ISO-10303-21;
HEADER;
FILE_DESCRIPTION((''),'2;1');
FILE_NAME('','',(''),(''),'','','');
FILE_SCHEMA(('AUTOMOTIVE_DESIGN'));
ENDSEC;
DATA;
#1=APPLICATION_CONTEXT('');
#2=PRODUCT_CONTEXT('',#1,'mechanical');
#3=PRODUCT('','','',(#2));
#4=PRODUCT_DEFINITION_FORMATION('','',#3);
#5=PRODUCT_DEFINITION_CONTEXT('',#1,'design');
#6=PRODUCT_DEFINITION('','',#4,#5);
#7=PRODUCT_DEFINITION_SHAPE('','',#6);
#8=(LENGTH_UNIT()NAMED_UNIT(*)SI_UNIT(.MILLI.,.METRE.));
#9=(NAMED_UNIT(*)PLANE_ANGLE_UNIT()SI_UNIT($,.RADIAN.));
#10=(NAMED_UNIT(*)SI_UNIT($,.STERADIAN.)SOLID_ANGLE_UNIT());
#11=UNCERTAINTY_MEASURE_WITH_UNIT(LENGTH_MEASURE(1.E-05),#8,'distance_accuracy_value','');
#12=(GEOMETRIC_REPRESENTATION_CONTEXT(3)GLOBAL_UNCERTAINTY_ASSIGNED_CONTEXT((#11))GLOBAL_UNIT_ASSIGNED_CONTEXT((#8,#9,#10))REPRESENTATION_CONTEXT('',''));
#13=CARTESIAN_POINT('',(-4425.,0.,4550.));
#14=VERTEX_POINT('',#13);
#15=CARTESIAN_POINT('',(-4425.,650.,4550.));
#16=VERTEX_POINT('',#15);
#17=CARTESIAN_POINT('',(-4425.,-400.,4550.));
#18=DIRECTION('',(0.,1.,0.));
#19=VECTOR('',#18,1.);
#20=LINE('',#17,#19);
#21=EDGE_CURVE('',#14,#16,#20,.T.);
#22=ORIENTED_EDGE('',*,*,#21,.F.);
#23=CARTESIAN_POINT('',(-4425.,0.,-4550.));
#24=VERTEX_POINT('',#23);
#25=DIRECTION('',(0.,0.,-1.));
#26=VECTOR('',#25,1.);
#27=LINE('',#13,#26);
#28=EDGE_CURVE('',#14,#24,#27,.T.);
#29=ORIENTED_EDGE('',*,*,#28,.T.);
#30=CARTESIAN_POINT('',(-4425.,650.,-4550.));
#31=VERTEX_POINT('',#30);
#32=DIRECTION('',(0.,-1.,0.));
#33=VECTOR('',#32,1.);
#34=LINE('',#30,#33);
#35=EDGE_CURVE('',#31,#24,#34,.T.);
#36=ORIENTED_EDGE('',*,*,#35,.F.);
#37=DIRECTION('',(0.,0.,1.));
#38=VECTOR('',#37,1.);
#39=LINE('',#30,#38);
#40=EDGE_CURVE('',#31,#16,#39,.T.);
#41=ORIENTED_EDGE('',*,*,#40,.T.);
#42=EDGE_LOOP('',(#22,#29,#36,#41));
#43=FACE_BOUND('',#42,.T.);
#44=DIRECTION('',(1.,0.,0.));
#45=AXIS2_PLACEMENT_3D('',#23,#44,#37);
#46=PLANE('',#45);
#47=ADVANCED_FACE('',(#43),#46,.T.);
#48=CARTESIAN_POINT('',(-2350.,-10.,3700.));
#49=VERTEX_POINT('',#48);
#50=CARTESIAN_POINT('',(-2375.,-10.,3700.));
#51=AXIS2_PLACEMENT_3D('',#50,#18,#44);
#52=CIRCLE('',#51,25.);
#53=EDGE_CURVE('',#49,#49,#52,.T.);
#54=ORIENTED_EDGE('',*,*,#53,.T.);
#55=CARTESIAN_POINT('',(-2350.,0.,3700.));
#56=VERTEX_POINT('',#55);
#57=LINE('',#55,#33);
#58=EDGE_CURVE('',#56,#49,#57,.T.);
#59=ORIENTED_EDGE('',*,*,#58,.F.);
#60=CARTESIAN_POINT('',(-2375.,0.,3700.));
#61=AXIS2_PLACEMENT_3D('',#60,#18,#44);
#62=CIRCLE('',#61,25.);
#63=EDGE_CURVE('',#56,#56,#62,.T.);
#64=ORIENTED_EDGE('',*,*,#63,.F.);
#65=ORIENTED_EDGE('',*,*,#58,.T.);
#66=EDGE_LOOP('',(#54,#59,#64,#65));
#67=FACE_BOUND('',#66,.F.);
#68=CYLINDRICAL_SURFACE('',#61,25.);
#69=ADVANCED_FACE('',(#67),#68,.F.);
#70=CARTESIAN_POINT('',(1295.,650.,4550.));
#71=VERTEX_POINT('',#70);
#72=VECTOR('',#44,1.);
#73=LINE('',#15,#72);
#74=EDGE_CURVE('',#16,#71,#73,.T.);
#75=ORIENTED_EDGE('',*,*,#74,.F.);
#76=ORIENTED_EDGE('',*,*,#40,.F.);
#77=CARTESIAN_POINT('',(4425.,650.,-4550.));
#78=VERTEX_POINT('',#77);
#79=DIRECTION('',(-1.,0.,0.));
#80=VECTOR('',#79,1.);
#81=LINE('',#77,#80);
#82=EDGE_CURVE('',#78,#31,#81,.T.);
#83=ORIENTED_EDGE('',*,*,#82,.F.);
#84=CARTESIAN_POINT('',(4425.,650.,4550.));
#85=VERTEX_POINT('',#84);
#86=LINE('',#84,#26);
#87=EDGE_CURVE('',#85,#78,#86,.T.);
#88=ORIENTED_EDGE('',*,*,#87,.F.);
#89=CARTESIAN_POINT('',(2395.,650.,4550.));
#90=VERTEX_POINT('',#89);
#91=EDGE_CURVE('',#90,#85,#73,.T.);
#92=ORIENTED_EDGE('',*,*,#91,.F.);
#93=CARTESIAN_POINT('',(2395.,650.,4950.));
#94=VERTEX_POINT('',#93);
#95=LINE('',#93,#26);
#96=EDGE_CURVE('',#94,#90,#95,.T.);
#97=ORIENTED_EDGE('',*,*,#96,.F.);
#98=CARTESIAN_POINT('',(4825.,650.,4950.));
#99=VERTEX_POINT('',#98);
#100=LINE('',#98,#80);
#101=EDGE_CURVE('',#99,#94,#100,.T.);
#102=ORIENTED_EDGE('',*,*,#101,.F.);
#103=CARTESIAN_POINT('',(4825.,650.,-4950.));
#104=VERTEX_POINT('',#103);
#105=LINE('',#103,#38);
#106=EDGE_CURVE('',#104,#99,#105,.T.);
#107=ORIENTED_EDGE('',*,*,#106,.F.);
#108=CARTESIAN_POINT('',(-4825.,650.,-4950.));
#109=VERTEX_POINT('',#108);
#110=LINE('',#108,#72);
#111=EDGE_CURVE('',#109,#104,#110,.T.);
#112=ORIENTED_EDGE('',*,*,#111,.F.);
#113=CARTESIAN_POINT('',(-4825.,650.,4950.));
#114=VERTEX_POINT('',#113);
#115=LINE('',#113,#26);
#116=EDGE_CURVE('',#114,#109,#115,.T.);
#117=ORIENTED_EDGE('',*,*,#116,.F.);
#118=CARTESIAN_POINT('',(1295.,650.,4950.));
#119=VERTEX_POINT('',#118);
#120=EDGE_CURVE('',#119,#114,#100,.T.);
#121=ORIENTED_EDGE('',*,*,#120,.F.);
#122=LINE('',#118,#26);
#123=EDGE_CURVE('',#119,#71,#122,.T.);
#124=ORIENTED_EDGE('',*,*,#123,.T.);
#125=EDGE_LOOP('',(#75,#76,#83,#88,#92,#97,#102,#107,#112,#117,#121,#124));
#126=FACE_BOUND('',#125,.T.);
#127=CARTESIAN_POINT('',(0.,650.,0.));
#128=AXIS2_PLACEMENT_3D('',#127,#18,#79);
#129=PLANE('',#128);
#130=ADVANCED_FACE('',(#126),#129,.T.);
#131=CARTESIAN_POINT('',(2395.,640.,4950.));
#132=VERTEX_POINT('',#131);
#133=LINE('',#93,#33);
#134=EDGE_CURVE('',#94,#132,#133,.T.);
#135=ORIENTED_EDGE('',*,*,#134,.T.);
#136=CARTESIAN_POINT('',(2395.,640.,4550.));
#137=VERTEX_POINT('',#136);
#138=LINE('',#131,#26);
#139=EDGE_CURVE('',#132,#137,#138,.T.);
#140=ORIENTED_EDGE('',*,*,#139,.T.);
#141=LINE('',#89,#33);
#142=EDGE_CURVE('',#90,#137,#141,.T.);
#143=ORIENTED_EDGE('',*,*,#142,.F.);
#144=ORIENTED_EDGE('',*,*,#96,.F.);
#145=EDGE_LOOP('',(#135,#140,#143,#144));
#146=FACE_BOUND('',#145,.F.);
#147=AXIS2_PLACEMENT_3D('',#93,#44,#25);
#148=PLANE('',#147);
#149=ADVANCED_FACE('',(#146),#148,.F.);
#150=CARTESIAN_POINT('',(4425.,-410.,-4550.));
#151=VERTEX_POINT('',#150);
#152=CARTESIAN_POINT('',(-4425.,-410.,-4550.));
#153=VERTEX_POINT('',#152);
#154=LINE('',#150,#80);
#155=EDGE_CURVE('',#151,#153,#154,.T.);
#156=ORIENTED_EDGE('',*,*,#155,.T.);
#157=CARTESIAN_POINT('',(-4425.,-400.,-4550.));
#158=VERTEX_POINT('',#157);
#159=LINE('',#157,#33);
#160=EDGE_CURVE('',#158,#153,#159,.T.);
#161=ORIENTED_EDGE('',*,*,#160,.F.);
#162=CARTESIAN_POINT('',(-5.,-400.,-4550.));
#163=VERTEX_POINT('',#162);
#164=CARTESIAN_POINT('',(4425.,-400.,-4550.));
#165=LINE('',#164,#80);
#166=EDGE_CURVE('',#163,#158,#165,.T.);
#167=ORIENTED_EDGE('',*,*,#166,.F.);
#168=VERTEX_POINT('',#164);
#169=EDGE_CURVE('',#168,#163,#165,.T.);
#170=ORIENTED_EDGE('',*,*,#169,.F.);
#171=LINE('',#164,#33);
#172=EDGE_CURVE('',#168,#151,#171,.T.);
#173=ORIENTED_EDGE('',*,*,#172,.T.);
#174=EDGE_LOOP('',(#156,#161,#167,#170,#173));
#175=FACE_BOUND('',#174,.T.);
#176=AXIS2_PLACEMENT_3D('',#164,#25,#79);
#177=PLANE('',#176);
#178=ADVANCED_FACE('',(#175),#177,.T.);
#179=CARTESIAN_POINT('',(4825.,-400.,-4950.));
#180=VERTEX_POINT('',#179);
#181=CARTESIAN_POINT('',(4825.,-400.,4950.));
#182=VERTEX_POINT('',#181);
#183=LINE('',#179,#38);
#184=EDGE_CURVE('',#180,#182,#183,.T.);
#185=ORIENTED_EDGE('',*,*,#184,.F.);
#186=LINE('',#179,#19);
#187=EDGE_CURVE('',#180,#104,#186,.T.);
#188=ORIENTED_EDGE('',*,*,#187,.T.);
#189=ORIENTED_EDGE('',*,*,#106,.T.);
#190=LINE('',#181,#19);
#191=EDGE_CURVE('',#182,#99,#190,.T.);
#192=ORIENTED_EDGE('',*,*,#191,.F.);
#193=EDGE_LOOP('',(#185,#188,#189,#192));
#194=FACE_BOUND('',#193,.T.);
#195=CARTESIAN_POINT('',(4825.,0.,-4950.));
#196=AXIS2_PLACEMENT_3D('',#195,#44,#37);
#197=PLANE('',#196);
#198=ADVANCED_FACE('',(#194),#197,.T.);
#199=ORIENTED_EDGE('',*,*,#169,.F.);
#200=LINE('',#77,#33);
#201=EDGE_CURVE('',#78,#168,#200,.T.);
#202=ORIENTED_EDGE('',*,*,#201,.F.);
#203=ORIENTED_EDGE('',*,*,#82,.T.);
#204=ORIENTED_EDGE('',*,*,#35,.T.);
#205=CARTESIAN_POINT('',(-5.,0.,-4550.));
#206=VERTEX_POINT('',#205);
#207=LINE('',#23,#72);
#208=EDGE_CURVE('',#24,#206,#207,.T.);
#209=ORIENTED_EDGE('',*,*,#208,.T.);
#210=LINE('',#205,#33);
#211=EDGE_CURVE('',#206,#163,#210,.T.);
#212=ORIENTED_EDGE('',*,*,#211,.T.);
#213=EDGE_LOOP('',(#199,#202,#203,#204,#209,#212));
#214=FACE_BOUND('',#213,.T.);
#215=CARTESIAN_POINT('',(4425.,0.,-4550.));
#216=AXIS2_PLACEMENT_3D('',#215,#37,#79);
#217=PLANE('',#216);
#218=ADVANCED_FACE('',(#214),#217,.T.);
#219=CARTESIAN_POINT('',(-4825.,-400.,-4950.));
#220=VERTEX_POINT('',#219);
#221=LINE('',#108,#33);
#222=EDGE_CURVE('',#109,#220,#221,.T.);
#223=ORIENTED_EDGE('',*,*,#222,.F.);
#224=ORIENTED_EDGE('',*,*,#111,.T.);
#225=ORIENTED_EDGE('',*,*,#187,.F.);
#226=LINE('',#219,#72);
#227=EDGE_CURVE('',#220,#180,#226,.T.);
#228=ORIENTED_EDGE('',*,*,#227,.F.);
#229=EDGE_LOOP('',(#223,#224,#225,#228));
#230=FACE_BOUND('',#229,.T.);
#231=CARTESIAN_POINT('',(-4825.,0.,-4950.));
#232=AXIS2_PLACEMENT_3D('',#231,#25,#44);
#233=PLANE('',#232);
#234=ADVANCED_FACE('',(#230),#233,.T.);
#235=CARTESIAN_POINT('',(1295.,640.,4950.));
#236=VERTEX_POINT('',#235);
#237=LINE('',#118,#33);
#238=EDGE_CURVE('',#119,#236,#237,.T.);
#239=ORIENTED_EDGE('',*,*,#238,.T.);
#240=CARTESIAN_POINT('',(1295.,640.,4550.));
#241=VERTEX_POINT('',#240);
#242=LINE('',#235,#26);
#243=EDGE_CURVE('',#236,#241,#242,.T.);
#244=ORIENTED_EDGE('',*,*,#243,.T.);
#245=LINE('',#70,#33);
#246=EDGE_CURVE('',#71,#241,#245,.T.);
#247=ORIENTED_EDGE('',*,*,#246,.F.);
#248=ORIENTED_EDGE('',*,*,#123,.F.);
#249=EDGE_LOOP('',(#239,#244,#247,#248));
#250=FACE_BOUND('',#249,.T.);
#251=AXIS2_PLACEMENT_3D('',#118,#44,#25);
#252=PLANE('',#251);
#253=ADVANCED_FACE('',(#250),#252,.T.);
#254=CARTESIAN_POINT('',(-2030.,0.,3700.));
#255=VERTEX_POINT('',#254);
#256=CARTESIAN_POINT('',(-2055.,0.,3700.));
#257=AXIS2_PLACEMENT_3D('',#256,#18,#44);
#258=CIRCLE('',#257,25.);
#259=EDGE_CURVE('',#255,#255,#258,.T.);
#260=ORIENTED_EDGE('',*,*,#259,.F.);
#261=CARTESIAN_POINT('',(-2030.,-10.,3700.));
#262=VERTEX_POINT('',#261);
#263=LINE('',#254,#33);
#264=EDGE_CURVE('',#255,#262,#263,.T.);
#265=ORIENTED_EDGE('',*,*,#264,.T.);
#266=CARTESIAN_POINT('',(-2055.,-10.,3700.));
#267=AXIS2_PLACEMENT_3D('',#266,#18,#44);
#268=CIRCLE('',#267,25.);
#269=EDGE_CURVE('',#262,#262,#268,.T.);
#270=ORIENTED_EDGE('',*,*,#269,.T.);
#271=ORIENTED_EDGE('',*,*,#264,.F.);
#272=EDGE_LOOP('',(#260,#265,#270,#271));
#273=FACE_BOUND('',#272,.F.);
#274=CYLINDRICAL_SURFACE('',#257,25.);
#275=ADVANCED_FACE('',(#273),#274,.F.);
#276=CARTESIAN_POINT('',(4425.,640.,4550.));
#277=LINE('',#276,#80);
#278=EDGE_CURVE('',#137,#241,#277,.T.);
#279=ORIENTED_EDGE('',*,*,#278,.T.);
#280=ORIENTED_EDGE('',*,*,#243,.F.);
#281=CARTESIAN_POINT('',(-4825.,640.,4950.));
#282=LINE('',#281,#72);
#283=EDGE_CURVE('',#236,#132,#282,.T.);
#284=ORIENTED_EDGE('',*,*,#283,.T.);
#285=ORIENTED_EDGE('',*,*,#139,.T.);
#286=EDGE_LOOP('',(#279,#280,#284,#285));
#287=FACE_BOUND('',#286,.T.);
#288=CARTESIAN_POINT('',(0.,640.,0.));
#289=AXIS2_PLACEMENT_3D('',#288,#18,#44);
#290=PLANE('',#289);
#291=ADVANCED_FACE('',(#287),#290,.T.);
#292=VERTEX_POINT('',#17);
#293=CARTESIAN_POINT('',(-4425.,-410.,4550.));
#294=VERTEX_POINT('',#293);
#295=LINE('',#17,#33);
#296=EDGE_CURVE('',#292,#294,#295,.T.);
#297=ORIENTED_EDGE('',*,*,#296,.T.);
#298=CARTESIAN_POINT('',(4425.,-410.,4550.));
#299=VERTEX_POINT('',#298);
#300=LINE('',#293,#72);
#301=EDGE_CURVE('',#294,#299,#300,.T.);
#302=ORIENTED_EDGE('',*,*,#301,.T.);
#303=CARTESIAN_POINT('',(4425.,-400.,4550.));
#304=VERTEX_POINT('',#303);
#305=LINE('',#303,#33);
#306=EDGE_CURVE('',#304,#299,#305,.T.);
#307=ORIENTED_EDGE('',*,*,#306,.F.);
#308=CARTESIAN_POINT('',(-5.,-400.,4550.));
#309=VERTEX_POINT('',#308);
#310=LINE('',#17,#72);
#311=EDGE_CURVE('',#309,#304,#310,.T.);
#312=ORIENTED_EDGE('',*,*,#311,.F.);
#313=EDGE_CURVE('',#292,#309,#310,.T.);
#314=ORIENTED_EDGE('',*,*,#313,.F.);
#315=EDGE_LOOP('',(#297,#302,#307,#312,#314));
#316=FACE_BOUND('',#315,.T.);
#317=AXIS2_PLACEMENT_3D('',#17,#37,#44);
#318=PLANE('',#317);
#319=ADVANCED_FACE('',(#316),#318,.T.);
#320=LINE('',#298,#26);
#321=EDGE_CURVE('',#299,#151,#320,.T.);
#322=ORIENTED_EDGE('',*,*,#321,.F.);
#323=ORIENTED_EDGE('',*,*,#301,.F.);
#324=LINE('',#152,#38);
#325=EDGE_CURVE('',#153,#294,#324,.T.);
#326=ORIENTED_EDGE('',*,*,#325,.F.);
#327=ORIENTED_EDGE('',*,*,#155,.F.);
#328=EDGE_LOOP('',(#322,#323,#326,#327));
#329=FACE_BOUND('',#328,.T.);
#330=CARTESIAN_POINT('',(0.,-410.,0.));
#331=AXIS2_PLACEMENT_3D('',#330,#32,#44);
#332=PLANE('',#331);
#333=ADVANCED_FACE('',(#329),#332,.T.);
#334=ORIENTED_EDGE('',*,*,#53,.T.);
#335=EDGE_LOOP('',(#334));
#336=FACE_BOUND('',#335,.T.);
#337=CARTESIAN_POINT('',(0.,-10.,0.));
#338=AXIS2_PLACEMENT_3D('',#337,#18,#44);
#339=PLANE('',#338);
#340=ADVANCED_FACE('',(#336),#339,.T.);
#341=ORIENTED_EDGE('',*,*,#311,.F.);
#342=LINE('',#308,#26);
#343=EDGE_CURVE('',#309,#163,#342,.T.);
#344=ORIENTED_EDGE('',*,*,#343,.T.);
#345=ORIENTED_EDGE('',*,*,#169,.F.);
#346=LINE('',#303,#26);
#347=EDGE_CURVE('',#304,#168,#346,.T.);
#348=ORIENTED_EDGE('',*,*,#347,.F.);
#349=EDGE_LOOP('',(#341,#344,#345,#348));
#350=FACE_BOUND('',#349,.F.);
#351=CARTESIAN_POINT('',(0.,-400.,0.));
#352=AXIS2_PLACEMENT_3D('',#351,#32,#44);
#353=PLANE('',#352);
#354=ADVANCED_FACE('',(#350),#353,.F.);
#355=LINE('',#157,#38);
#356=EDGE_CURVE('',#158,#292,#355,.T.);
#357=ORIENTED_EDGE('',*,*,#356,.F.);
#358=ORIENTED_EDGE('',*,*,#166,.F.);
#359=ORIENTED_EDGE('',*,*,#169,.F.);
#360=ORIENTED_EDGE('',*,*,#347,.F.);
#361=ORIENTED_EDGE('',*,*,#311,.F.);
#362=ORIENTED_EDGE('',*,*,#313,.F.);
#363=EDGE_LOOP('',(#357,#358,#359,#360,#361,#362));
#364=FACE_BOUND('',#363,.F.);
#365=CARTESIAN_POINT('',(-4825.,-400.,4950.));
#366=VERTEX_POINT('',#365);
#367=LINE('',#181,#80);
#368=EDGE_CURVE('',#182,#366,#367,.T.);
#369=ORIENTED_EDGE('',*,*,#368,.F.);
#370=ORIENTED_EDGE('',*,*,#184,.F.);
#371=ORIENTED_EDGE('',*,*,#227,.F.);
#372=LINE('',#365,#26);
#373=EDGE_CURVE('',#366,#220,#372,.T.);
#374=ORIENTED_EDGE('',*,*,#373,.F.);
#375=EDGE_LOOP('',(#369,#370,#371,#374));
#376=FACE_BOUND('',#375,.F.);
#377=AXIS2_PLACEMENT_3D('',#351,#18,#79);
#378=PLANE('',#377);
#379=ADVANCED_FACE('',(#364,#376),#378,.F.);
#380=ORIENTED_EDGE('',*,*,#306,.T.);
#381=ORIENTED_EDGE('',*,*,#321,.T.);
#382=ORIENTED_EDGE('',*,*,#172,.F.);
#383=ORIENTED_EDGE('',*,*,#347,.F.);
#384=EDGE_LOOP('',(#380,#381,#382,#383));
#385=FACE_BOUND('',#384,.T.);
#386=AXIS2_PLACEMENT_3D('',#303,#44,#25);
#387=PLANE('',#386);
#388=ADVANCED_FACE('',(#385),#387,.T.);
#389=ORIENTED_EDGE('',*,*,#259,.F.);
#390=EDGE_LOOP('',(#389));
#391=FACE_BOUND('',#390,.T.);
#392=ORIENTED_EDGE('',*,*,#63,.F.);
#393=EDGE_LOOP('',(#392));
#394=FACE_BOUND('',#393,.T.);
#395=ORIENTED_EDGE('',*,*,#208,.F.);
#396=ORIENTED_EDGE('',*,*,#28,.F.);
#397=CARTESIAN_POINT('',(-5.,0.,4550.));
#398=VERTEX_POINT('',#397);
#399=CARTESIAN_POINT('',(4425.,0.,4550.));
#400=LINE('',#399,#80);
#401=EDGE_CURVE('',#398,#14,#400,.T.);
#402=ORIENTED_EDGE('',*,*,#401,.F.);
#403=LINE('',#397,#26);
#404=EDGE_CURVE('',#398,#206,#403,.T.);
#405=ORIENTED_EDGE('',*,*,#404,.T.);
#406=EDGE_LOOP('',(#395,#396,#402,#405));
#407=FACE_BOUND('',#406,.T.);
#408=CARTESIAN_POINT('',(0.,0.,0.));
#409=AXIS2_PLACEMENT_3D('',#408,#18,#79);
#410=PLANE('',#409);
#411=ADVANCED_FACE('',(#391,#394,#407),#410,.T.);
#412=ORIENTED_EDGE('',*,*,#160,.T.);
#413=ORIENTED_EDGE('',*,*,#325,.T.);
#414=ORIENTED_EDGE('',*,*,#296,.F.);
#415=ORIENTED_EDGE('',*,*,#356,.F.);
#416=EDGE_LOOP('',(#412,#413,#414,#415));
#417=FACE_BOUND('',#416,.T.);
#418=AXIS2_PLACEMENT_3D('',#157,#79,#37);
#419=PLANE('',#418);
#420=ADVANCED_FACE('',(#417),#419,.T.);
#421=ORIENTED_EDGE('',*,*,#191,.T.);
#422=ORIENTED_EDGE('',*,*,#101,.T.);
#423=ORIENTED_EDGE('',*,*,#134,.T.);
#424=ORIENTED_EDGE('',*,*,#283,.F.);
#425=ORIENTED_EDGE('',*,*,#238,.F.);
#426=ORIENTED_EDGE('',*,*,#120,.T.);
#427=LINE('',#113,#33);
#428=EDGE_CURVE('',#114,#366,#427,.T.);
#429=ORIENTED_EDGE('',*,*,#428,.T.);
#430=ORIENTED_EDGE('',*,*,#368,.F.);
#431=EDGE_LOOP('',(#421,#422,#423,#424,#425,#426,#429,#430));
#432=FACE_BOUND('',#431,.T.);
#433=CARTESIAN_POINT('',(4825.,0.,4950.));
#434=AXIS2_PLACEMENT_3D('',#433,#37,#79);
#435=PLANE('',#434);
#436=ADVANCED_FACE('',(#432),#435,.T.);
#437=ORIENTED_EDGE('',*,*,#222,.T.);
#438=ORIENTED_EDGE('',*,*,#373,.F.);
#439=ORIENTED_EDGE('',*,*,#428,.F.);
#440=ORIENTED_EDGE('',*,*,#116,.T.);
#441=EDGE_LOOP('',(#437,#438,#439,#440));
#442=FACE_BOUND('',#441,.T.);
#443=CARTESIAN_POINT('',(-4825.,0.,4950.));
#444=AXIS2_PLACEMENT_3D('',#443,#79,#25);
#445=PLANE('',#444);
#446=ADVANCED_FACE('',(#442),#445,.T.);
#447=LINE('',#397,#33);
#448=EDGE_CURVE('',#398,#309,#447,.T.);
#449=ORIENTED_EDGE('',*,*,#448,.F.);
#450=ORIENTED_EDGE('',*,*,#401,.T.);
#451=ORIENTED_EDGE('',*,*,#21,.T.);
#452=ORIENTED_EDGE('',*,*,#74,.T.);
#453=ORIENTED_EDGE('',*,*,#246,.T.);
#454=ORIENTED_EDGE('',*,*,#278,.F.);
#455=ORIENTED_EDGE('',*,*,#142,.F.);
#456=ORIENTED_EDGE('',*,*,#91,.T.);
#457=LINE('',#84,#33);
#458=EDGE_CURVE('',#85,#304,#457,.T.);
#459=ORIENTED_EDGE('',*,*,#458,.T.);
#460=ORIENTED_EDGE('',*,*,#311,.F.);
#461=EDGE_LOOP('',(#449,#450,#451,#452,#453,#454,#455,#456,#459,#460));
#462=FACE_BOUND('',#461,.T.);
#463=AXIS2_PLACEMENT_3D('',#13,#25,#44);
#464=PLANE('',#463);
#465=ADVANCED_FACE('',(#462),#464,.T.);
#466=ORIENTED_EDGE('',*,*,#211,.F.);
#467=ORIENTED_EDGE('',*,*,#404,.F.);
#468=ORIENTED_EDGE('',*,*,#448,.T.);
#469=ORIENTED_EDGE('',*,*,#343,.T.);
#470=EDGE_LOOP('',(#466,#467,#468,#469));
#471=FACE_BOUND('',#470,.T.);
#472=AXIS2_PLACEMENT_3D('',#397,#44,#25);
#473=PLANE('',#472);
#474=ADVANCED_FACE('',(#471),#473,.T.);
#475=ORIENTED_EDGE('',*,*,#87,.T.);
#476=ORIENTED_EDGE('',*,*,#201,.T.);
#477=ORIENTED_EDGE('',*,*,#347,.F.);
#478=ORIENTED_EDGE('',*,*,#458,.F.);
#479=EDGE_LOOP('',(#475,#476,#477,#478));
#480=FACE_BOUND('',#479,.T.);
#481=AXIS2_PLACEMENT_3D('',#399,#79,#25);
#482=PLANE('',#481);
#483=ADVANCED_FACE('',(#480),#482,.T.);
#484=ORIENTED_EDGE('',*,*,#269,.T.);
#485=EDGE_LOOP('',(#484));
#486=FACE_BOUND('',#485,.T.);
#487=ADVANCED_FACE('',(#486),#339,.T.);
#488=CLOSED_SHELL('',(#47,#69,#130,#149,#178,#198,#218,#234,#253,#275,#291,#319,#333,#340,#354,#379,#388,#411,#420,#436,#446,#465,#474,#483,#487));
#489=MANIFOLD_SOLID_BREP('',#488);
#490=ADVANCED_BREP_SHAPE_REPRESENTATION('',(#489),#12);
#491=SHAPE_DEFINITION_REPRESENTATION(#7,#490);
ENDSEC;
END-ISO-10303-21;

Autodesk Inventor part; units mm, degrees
ref_plane "YZ Plane" through (0, 0, 0) normal (1, 0, 0) x (0, 1, 0)
ref_plane "XZ Plane" through (0, 0, 0) normal (0, 1, 0) x (-1, 0, 0)
ref_plane "XY Plane" through (0, 0, 0) normal (0, 0, 1) x (1, 0, 0)
sketch "Sketch1" plane through (0, 0, 0) normal (0, 1, 0) x (-1, 0, 0)
  line L0 (15.7014, 4425) -> (-15.7014, 4425)
  line L1 (4425, 4550) -> (-4425, 4550)
  line L2 (-4425, 4550) -> (-4425, -4550)
  line L3 (-4425, -4550) -> (4425, -4550)
  line L4 (4425, -4550) -> (4425, 4550)
  line L5 (4425, 4550) -> (-4425, -4550) construction
  line L6 (-4425, 4550) -> (4425, -4550) construction
  line L7 (-4825, 4950) -> (4825, 4950)
  line L8 (4825, 4950) -> (4825, -4950)
  line L9 (4825, -4950) -> (-4825, -4950)
  line L10 (-4825, -4950) -> (-4825, 4950)
  point P0 (0, 0)
  point P1 (0, 0)
  dimension "d0" = 8850
  dimension "d1" = 9100
  dimension "d3" = 400
extrude "Extrusion1" add sketch "Sketch1" along normal blind 650 and the other way blind 400
sketch "Sketch4" plane through (0, -400, 0) normal (0, -1, 0) x (1, 0, 0)
  line L0 (-4825, -4950) -> (4825, -4950)
  line L1 (4825, -4950) -> (4825, 4950)
  line L2 (4825, 4950) -> (-4825, 4950)
  line L3 (-4825, 4950) -> (-4825, -4950)
  line L4 (-4425, -4550) -> (-4425, 4550)
  line L5 (-4425, 4550) -> (4425, 4550)
  line L6 (4425, 4550) -> (4425, -4550)
  line L7 (4425, -4550) -> (-4425, -4550)
  point P0 (0, 0)
extrude "Extrusion3" add sketch "Sketch4" along normal blind 10 contours L4 L5 L6 L7
sketch "Sketch5" plane through (0, 0, 0) normal (0, 1, 0) x (-1, 0, 0)
  line L0 (-4825, -4950) -> (4825, -4950)
  line L1 (4825, -4950) -> (4825, 4950)
  line L2 (4825, 4950) -> (-4825, 4950)
  line L3 (-4825, 4950) -> (-4825, -4950)
  line L4 (4425, 4550) -> (4425, -4550)
  line L5 (4425, -4550) -> (-4425, -4550)
  line L6 (-4425, -4550) -> (-4425, 4550)
  line L7 (-4425, 4550) -> (4425, 4550)
  line L8 (5, 4550) -> (5, -4550)
  point P0 (0, 0)
  dimension "d21" = 4420
extrude "Extrusion4" add sketch "Sketch5" against normal up to surface (400 mm away) contours L4 L5 L8 L7
sketch "Sketch6" plane through (0, 650, 0) normal (0, 1, 0) x (1, 0, 0)
  line L0 (4825, 4950) -> (-4825, 4950)
  line L1 (-4825, 4950) -> (-4825, -4950)
  line L2 (-4825, -4950) -> (4825, -4950)
  line L3 (4825, -4950) -> (4825, 4950)
  line L4 (-4425, -4550) -> (-4425, 4550)
  line L5 (-4425, 4550) -> (4425, 4550)
  line L6 (4425, 4550) -> (4425, -4550)
  line L7 (4425, -4550) -> (-4425, -4550)
  line L8 (1295, -4950) -> (1295, -4550)
  line L9 (2395, -4950) -> (2395, -4550)
  line L10 (-5, -4550) -> (-5, 4550)
  point P0 (0, 0)
  dimension "d24" = 1100
  dimension "d25" = 1300
extrude "Extrusion5" cut sketch "Sketch6" against normal blind 10 contours L2 L8 L7 L9
sketch "Sketch7" plane through (1295, 650, 4950) normal (1, 0, 0) x (0, 0, -1)
  line L0 (0, -1050) -> (0, 0)
  line L1 (9900, 0) -> (0, 0)
  line L2 (9900, -1050) -> (9900, 0)
  line L3 (0, -1050) -> (9900, -1050)
  line L4 (9500, -1050) -> (400, -1050)
  line L5 (9500, -650) -> (9500, -1050)
  line L6 (400, -650) -> (9500, -650)
  line L7 (400, -1050) -> (400, -650)
  line L8 (400, 0) -> (400, -650)
  line L9 (400, 0) -> (1200, -150)
  line L10 (1200, -150) -> (1200, -650)
  line L11 (1200, -150) -> (2700, -150)
  line L12 (2700, -150) -> (2700, -650)
  point P0 (4950, -650)
  point P1 (400, -1050)
  dimension "d42" = 10.62
  dimension "d43" = 1500
  dimension "d48" = 800
  dimension "d55" = 900
extrude "Extrusion6" [suppressed]
sketch "Sketch8" plane through (0, 0, 0) normal (0, 1, 0) x (1, 0, 0)
  circle A0 centre (-2375, -3700) radius 25
  circle A1 centre (-2055, -3700) radius 25
  line L0 (-4425, -4550) -> (-4425, 4550)
  line L1 (1295, -4550) -> (-4425, -4550)
  point P0 (0, 0)
  dimension "d32" = 50
  dimension "d33" = 2050
  dimension "d34" = 850
  dimension "d35" = 2370
extrude "Extrusion7" cut sketch "Sketch8" against normal blind 10
sketch "Sketch12" plane through (1295, 0, 2250) normal (0, 0, -1) x (-1, 0, 0)
  line L0 (0, 500) -> (-1100, 500)
  line L1 (3645, 0) -> (3695, 0)
  line L2 (3325, 0) -> (3375, 0)
  line L3 (1300, 0) -> (5720, 0)
  line L4 (5720, 0) -> (1300, 0)
  line L5 (1300, 0) -> (5720, 0)
  line L6 (2850, 0) -> (2850, 200)
  line L7 (2850, 200) -> (0, 200)
  line L8 (0, 200) -> (0, 500)
  line L9 (-1100, 500) -> (-1100, 0)
  line L10 (-1100, 0) -> (2850, 0)
  line L11 (0, 500) -> (1350, 200)
  point P0 (1295, 0)
  point P1 (1300, 0)
  dimension "d49" = 200
  dimension "d50" = 12.529
  dimension "d51" = 1350
  dimension "d54" = 1500
extrude "Extrusion10" [suppressed]
properties part number "BSH 0 foudation"
